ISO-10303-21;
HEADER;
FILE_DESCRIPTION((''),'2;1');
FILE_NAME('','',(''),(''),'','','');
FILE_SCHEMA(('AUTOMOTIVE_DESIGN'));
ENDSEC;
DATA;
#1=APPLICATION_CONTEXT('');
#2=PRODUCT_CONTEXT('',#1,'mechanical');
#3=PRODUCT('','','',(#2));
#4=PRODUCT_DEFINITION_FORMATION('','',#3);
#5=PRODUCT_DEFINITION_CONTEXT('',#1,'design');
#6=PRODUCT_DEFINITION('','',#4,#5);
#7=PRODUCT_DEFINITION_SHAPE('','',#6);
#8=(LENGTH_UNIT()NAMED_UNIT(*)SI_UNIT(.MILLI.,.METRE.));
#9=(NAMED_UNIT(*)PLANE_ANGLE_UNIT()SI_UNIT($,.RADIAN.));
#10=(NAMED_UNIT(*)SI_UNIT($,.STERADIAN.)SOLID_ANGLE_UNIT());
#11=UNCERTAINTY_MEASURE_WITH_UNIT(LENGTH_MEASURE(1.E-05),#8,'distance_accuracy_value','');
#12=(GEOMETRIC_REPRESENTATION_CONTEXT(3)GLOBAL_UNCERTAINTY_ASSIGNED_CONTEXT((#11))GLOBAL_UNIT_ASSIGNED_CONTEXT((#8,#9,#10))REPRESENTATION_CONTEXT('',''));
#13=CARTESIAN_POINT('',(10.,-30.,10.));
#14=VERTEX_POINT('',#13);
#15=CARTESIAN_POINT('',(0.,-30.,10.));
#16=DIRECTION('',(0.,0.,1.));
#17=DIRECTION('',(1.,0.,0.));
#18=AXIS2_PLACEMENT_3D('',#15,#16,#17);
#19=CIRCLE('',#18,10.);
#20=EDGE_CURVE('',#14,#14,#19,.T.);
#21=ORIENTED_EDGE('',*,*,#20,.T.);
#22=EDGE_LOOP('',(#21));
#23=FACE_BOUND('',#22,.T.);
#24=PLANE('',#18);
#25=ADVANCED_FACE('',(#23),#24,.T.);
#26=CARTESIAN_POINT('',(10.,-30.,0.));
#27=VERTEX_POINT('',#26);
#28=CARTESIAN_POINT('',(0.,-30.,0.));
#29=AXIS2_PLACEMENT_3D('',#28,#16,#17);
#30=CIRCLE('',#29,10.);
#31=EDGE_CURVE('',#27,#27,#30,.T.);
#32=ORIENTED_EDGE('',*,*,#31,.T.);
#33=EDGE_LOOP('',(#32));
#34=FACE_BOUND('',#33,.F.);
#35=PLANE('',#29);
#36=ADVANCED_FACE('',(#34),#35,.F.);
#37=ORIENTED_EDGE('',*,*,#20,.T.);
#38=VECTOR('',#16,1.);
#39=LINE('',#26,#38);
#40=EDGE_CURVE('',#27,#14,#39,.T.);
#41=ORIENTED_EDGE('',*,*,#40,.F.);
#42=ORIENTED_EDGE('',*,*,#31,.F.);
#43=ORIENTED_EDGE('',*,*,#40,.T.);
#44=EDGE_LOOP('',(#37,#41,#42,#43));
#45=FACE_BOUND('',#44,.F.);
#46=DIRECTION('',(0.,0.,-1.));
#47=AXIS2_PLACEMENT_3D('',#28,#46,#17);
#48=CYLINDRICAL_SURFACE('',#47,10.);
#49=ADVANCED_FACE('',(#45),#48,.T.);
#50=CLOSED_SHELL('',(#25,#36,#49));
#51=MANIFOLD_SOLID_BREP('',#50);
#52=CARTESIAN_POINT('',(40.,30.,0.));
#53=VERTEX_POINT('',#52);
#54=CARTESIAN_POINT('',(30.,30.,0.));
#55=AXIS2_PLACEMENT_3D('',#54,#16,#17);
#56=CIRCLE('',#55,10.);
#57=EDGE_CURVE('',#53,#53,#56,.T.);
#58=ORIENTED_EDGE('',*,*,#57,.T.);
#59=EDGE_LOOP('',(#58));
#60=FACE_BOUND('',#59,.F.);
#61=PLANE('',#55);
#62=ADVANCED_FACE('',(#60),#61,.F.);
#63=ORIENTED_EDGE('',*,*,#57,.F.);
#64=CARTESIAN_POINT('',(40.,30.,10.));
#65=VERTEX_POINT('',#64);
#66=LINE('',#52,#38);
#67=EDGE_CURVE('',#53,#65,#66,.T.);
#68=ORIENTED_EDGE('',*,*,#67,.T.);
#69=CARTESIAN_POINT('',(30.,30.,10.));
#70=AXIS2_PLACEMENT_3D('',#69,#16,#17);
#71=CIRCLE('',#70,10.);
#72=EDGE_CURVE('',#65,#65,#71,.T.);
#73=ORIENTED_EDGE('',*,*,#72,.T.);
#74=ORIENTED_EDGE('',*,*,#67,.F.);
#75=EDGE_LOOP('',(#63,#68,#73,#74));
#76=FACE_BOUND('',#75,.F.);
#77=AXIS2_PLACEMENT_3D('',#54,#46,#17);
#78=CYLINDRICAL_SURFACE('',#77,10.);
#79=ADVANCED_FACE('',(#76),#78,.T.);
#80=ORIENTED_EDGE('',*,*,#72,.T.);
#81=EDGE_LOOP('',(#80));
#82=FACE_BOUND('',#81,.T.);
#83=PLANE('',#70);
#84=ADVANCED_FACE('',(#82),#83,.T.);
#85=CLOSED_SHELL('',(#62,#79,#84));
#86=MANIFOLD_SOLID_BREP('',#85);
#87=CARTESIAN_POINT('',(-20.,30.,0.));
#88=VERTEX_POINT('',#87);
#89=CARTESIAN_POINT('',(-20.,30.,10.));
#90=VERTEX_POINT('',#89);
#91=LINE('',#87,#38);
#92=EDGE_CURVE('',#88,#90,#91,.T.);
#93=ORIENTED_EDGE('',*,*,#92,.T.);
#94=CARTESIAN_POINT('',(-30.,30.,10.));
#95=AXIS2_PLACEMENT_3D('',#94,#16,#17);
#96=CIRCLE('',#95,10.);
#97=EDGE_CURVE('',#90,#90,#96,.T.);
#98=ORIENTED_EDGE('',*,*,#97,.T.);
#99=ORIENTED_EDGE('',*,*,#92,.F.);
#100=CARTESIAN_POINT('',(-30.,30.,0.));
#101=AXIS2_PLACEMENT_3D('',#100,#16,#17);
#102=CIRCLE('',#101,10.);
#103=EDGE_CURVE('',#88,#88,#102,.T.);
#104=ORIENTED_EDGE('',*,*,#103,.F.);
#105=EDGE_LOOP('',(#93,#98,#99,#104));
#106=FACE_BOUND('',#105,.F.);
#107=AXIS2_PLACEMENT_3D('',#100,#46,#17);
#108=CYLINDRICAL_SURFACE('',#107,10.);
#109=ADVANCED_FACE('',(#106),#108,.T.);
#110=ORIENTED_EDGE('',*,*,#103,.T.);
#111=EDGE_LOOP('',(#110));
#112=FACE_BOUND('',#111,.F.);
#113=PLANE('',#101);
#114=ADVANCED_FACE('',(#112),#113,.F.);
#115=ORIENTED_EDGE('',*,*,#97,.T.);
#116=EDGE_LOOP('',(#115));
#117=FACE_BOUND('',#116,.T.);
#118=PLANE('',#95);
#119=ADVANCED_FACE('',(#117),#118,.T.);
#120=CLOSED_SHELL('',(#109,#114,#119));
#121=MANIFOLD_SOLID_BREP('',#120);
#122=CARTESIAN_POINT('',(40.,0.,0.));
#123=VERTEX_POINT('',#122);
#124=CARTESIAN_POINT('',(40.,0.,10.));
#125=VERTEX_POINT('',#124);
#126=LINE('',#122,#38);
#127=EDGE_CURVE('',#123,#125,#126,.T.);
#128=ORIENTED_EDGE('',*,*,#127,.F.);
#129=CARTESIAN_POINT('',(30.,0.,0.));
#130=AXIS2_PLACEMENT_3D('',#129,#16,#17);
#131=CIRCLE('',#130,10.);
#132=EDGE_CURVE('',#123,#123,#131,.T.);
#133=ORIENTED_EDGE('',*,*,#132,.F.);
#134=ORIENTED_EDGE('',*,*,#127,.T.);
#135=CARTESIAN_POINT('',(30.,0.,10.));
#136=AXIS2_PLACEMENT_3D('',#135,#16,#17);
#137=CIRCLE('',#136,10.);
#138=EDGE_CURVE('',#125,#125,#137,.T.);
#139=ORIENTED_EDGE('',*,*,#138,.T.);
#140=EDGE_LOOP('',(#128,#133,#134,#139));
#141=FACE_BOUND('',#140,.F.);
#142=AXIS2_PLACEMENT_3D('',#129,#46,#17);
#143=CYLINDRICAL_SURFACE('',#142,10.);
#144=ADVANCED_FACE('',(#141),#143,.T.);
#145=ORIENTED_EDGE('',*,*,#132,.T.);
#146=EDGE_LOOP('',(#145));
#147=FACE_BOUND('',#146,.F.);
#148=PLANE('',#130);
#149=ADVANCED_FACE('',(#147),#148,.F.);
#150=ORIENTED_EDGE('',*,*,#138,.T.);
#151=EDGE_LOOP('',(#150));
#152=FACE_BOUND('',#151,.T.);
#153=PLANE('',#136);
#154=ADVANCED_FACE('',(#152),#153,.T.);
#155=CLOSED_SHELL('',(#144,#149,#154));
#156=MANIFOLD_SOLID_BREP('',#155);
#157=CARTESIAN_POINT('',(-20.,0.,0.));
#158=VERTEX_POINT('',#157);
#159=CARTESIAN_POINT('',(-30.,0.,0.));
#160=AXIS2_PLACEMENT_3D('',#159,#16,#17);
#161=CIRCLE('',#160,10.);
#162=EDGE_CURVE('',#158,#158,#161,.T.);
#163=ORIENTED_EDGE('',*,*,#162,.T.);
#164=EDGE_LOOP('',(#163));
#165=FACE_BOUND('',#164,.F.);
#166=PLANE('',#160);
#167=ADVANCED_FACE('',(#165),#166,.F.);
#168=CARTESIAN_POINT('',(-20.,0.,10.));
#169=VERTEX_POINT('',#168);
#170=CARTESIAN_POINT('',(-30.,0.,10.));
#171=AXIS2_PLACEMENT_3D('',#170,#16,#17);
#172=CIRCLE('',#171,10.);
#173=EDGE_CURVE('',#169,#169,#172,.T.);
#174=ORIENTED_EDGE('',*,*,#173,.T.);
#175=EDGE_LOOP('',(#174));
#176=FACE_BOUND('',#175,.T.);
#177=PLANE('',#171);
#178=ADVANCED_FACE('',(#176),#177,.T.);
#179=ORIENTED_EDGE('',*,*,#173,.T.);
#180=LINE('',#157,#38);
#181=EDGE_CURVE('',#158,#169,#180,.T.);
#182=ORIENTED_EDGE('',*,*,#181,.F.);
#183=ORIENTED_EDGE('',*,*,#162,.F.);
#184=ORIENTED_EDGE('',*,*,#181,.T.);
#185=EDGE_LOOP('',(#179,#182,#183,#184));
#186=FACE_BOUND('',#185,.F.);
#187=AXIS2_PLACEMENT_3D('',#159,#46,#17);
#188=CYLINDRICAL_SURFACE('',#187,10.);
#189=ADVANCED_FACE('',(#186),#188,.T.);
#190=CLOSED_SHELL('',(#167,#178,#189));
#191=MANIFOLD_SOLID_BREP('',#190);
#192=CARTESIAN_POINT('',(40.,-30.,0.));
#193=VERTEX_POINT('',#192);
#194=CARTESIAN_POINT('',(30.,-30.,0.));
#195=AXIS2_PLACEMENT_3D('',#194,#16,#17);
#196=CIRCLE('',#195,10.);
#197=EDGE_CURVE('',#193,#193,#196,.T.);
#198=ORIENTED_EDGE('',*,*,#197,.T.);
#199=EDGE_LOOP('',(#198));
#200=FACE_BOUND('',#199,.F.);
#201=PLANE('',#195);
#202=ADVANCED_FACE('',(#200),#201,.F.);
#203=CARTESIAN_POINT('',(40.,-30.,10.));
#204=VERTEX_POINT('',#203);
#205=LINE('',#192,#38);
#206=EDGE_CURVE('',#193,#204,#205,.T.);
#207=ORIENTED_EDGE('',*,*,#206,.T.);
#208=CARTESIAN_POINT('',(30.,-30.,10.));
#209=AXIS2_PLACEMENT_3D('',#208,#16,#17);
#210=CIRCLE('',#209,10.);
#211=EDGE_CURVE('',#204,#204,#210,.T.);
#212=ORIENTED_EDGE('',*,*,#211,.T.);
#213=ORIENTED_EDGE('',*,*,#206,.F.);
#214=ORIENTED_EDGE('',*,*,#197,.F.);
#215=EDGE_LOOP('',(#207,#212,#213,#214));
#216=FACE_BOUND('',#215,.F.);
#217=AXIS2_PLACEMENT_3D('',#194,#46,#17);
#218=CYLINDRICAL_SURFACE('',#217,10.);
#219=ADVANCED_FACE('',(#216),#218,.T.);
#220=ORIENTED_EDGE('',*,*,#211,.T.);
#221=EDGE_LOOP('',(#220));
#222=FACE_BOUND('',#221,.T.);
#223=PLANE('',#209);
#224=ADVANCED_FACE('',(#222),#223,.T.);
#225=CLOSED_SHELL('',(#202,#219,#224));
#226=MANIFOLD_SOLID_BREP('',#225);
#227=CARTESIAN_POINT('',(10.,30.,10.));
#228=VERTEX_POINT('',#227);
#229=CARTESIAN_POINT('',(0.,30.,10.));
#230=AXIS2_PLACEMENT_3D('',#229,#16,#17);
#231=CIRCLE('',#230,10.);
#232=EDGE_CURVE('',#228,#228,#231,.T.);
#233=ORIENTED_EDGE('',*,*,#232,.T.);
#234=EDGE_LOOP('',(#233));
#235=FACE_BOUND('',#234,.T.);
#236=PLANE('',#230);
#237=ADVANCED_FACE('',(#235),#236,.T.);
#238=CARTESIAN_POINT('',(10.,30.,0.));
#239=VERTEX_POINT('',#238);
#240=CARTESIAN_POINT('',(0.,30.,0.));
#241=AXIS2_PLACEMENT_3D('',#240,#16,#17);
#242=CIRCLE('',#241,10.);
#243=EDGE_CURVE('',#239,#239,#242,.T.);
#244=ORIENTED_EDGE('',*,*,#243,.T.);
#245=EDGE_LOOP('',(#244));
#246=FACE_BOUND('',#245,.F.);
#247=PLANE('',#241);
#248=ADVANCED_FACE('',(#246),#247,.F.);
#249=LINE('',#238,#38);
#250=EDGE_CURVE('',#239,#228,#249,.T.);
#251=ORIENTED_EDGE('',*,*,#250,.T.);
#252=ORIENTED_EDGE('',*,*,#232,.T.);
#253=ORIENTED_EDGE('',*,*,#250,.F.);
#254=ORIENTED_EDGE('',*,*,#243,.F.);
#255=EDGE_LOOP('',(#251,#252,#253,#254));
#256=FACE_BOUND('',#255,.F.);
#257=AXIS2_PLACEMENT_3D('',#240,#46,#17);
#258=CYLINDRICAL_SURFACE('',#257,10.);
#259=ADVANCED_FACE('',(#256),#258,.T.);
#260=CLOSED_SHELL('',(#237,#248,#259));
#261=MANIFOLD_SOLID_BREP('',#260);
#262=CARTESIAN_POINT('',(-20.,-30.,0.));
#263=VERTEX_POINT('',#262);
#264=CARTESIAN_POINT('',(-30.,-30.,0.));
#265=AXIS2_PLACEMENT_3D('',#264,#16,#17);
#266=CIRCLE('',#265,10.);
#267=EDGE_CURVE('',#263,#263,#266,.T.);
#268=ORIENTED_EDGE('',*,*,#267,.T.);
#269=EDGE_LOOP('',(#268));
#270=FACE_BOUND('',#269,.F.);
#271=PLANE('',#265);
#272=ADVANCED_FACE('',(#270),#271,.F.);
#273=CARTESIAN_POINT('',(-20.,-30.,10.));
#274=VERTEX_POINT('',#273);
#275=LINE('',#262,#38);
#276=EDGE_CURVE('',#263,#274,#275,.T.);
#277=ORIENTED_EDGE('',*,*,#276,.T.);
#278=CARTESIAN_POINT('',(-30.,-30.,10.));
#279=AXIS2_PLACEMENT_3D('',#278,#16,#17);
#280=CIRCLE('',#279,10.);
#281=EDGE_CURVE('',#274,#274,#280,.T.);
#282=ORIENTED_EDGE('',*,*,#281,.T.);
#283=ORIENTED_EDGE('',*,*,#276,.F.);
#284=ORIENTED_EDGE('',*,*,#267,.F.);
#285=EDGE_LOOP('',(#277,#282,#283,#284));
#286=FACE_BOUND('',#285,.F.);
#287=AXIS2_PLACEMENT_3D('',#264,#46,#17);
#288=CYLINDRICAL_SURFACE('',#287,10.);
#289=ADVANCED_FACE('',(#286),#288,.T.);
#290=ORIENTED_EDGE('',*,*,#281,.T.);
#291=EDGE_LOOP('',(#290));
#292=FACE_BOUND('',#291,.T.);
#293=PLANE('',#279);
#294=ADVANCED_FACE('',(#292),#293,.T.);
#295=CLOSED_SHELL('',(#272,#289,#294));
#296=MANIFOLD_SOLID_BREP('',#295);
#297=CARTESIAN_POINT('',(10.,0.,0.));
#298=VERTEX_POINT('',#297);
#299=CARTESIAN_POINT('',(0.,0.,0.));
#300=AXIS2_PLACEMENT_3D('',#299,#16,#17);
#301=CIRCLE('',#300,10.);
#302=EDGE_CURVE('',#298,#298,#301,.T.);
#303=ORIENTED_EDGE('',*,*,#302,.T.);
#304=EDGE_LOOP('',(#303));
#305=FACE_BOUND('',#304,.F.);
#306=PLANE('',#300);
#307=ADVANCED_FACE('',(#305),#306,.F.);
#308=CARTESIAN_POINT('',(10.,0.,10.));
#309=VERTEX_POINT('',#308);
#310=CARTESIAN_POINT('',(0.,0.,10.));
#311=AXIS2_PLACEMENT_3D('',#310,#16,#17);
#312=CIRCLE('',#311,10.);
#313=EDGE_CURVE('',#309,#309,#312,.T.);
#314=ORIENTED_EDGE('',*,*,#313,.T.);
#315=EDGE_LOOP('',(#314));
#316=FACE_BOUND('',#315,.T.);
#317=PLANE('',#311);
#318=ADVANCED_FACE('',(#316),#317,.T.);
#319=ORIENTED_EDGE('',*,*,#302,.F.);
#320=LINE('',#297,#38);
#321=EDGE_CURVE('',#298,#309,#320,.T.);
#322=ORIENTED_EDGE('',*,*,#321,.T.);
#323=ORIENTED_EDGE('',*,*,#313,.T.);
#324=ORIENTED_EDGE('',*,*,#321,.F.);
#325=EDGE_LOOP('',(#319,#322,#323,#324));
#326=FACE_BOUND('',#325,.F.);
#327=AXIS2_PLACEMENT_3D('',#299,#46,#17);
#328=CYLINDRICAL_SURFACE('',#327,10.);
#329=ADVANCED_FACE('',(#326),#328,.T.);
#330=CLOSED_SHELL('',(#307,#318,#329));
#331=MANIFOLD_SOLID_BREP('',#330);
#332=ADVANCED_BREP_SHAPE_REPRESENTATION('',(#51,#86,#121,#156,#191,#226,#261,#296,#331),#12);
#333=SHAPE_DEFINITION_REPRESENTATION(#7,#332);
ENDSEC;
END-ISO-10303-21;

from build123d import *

# Parameters (mm, degrees)
F0_R     = 10
F1_DEPTH = 10


with BuildPart() as f1:
    # F0 (on Top) → F1 (new body)
    with BuildSketch(Plane.XY):
        with Locations((-30, -30)):
            Circle(F0_R)
        with Locations((-30, 0)):
            Circle(F0_R)
        with Locations((-30, 30)):
            Circle(F0_R)
        with Locations((0, -30)):
            Circle(F0_R)
        Circle(F0_R)
        with Locations((0, 30)):
            Circle(F0_R)
        with Locations((30, 30)):
            Circle(F0_R)
        with Locations((30, 0)):
            Circle(F0_R)
        with Locations((30, -30)):
            Circle(F0_R)
    extrude(amount=F1_DEPTH)


solid = f1.part
